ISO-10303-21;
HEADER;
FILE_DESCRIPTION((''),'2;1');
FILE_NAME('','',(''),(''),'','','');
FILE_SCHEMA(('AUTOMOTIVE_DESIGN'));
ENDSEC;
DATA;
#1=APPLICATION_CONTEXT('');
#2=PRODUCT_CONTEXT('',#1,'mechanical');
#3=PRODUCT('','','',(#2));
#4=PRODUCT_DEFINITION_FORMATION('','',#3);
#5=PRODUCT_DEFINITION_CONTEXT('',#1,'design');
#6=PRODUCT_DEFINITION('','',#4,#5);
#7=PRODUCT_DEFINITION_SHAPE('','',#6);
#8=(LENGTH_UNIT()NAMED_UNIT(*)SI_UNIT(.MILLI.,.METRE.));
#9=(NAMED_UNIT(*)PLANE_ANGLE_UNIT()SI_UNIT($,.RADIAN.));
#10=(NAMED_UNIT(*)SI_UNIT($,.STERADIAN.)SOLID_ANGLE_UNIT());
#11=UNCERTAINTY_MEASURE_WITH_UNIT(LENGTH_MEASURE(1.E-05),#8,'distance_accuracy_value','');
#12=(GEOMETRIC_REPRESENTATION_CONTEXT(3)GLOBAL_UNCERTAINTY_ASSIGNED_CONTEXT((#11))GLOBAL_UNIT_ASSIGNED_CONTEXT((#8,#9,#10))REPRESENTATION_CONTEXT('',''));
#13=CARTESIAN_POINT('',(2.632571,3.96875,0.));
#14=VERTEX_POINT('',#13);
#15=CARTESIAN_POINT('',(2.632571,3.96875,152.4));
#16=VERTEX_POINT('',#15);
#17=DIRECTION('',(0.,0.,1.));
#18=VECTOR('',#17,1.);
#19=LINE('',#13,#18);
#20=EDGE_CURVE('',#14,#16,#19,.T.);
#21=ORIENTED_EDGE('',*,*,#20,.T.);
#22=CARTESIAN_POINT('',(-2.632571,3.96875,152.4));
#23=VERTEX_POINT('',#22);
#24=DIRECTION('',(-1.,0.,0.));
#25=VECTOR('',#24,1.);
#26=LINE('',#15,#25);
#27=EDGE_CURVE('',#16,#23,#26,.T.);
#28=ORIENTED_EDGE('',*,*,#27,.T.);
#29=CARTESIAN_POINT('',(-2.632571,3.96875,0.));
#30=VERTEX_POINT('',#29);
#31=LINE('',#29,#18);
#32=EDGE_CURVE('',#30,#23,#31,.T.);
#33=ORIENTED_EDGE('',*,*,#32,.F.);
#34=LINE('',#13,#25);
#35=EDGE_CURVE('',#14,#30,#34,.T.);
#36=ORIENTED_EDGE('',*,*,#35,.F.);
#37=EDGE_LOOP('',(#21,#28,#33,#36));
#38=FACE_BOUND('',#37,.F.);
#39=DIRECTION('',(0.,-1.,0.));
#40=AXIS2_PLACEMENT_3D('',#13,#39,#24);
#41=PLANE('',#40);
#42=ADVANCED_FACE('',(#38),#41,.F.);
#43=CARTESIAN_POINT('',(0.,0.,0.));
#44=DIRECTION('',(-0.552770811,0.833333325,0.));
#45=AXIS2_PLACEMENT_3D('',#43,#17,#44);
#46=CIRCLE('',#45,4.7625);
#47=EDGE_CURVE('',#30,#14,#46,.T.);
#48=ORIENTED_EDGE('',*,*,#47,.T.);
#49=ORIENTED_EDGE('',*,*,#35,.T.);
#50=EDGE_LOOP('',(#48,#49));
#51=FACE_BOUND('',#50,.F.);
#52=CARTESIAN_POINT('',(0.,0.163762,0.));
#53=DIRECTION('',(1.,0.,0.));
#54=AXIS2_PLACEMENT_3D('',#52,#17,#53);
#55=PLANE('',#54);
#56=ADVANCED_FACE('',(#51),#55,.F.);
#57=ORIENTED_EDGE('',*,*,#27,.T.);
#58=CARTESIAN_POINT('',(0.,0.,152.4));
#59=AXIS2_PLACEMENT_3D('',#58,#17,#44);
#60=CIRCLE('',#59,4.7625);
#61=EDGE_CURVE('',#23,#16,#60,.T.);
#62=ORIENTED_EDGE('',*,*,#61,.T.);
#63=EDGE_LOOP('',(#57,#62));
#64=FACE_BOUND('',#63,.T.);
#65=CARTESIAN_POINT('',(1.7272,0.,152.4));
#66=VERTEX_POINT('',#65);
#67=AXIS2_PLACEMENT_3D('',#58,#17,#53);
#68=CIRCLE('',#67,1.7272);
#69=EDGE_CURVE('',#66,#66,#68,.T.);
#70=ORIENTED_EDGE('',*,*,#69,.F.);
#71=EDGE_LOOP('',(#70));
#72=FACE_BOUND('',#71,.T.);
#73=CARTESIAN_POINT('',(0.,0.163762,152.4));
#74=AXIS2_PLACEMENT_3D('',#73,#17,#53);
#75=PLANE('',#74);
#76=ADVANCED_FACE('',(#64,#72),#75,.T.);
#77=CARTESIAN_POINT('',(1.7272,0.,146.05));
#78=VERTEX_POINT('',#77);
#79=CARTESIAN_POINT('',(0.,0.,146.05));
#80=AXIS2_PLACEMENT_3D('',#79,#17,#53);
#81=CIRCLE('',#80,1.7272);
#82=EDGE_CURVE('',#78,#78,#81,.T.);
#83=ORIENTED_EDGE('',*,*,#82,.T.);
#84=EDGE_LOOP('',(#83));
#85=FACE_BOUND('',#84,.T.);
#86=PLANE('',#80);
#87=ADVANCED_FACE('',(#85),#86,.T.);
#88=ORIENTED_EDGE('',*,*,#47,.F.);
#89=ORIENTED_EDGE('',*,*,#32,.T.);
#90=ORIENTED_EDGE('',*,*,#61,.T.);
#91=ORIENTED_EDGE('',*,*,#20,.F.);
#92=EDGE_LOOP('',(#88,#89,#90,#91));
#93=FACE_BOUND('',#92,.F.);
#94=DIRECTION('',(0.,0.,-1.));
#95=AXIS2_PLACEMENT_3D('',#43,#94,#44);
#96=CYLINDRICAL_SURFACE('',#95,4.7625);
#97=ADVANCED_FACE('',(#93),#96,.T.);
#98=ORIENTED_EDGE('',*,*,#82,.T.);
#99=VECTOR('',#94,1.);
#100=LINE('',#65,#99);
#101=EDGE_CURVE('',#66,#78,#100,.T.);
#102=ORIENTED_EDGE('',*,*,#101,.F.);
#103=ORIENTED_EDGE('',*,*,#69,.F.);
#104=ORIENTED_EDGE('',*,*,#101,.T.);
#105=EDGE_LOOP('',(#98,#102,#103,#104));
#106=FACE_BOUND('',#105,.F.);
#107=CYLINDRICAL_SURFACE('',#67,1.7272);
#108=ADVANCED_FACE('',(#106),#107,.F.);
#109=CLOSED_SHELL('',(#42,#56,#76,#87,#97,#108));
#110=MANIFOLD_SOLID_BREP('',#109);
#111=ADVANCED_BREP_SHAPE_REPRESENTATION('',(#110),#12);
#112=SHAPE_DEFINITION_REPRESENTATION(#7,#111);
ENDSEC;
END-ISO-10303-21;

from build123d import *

# Parameters (mm, degrees)
F1_DEPTH = 152.4
F2_R     = 1.7272
F3_DEPTH = 6.35


with BuildPart() as f1:
    # F0 (on Top) → F1 (new body)
    with BuildSketch(Plane.XY):
        with BuildLine():
            Line((2.632571, 3.96875), (-2.632571, 3.96875))
            ThreePointArc((-2.632571, 3.96875), (0, -4.7625), (2.632571, 3.96875))
        make_face()
    extrude(amount=F1_DEPTH)

    # F2 (on face) → F3 (cut)
    with BuildSketch(Plane.XY.offset(152.4)):
        Circle(F2_R)
    extrude(amount=-F3_DEPTH, mode=Mode.SUBTRACT)


solid = f1.part
